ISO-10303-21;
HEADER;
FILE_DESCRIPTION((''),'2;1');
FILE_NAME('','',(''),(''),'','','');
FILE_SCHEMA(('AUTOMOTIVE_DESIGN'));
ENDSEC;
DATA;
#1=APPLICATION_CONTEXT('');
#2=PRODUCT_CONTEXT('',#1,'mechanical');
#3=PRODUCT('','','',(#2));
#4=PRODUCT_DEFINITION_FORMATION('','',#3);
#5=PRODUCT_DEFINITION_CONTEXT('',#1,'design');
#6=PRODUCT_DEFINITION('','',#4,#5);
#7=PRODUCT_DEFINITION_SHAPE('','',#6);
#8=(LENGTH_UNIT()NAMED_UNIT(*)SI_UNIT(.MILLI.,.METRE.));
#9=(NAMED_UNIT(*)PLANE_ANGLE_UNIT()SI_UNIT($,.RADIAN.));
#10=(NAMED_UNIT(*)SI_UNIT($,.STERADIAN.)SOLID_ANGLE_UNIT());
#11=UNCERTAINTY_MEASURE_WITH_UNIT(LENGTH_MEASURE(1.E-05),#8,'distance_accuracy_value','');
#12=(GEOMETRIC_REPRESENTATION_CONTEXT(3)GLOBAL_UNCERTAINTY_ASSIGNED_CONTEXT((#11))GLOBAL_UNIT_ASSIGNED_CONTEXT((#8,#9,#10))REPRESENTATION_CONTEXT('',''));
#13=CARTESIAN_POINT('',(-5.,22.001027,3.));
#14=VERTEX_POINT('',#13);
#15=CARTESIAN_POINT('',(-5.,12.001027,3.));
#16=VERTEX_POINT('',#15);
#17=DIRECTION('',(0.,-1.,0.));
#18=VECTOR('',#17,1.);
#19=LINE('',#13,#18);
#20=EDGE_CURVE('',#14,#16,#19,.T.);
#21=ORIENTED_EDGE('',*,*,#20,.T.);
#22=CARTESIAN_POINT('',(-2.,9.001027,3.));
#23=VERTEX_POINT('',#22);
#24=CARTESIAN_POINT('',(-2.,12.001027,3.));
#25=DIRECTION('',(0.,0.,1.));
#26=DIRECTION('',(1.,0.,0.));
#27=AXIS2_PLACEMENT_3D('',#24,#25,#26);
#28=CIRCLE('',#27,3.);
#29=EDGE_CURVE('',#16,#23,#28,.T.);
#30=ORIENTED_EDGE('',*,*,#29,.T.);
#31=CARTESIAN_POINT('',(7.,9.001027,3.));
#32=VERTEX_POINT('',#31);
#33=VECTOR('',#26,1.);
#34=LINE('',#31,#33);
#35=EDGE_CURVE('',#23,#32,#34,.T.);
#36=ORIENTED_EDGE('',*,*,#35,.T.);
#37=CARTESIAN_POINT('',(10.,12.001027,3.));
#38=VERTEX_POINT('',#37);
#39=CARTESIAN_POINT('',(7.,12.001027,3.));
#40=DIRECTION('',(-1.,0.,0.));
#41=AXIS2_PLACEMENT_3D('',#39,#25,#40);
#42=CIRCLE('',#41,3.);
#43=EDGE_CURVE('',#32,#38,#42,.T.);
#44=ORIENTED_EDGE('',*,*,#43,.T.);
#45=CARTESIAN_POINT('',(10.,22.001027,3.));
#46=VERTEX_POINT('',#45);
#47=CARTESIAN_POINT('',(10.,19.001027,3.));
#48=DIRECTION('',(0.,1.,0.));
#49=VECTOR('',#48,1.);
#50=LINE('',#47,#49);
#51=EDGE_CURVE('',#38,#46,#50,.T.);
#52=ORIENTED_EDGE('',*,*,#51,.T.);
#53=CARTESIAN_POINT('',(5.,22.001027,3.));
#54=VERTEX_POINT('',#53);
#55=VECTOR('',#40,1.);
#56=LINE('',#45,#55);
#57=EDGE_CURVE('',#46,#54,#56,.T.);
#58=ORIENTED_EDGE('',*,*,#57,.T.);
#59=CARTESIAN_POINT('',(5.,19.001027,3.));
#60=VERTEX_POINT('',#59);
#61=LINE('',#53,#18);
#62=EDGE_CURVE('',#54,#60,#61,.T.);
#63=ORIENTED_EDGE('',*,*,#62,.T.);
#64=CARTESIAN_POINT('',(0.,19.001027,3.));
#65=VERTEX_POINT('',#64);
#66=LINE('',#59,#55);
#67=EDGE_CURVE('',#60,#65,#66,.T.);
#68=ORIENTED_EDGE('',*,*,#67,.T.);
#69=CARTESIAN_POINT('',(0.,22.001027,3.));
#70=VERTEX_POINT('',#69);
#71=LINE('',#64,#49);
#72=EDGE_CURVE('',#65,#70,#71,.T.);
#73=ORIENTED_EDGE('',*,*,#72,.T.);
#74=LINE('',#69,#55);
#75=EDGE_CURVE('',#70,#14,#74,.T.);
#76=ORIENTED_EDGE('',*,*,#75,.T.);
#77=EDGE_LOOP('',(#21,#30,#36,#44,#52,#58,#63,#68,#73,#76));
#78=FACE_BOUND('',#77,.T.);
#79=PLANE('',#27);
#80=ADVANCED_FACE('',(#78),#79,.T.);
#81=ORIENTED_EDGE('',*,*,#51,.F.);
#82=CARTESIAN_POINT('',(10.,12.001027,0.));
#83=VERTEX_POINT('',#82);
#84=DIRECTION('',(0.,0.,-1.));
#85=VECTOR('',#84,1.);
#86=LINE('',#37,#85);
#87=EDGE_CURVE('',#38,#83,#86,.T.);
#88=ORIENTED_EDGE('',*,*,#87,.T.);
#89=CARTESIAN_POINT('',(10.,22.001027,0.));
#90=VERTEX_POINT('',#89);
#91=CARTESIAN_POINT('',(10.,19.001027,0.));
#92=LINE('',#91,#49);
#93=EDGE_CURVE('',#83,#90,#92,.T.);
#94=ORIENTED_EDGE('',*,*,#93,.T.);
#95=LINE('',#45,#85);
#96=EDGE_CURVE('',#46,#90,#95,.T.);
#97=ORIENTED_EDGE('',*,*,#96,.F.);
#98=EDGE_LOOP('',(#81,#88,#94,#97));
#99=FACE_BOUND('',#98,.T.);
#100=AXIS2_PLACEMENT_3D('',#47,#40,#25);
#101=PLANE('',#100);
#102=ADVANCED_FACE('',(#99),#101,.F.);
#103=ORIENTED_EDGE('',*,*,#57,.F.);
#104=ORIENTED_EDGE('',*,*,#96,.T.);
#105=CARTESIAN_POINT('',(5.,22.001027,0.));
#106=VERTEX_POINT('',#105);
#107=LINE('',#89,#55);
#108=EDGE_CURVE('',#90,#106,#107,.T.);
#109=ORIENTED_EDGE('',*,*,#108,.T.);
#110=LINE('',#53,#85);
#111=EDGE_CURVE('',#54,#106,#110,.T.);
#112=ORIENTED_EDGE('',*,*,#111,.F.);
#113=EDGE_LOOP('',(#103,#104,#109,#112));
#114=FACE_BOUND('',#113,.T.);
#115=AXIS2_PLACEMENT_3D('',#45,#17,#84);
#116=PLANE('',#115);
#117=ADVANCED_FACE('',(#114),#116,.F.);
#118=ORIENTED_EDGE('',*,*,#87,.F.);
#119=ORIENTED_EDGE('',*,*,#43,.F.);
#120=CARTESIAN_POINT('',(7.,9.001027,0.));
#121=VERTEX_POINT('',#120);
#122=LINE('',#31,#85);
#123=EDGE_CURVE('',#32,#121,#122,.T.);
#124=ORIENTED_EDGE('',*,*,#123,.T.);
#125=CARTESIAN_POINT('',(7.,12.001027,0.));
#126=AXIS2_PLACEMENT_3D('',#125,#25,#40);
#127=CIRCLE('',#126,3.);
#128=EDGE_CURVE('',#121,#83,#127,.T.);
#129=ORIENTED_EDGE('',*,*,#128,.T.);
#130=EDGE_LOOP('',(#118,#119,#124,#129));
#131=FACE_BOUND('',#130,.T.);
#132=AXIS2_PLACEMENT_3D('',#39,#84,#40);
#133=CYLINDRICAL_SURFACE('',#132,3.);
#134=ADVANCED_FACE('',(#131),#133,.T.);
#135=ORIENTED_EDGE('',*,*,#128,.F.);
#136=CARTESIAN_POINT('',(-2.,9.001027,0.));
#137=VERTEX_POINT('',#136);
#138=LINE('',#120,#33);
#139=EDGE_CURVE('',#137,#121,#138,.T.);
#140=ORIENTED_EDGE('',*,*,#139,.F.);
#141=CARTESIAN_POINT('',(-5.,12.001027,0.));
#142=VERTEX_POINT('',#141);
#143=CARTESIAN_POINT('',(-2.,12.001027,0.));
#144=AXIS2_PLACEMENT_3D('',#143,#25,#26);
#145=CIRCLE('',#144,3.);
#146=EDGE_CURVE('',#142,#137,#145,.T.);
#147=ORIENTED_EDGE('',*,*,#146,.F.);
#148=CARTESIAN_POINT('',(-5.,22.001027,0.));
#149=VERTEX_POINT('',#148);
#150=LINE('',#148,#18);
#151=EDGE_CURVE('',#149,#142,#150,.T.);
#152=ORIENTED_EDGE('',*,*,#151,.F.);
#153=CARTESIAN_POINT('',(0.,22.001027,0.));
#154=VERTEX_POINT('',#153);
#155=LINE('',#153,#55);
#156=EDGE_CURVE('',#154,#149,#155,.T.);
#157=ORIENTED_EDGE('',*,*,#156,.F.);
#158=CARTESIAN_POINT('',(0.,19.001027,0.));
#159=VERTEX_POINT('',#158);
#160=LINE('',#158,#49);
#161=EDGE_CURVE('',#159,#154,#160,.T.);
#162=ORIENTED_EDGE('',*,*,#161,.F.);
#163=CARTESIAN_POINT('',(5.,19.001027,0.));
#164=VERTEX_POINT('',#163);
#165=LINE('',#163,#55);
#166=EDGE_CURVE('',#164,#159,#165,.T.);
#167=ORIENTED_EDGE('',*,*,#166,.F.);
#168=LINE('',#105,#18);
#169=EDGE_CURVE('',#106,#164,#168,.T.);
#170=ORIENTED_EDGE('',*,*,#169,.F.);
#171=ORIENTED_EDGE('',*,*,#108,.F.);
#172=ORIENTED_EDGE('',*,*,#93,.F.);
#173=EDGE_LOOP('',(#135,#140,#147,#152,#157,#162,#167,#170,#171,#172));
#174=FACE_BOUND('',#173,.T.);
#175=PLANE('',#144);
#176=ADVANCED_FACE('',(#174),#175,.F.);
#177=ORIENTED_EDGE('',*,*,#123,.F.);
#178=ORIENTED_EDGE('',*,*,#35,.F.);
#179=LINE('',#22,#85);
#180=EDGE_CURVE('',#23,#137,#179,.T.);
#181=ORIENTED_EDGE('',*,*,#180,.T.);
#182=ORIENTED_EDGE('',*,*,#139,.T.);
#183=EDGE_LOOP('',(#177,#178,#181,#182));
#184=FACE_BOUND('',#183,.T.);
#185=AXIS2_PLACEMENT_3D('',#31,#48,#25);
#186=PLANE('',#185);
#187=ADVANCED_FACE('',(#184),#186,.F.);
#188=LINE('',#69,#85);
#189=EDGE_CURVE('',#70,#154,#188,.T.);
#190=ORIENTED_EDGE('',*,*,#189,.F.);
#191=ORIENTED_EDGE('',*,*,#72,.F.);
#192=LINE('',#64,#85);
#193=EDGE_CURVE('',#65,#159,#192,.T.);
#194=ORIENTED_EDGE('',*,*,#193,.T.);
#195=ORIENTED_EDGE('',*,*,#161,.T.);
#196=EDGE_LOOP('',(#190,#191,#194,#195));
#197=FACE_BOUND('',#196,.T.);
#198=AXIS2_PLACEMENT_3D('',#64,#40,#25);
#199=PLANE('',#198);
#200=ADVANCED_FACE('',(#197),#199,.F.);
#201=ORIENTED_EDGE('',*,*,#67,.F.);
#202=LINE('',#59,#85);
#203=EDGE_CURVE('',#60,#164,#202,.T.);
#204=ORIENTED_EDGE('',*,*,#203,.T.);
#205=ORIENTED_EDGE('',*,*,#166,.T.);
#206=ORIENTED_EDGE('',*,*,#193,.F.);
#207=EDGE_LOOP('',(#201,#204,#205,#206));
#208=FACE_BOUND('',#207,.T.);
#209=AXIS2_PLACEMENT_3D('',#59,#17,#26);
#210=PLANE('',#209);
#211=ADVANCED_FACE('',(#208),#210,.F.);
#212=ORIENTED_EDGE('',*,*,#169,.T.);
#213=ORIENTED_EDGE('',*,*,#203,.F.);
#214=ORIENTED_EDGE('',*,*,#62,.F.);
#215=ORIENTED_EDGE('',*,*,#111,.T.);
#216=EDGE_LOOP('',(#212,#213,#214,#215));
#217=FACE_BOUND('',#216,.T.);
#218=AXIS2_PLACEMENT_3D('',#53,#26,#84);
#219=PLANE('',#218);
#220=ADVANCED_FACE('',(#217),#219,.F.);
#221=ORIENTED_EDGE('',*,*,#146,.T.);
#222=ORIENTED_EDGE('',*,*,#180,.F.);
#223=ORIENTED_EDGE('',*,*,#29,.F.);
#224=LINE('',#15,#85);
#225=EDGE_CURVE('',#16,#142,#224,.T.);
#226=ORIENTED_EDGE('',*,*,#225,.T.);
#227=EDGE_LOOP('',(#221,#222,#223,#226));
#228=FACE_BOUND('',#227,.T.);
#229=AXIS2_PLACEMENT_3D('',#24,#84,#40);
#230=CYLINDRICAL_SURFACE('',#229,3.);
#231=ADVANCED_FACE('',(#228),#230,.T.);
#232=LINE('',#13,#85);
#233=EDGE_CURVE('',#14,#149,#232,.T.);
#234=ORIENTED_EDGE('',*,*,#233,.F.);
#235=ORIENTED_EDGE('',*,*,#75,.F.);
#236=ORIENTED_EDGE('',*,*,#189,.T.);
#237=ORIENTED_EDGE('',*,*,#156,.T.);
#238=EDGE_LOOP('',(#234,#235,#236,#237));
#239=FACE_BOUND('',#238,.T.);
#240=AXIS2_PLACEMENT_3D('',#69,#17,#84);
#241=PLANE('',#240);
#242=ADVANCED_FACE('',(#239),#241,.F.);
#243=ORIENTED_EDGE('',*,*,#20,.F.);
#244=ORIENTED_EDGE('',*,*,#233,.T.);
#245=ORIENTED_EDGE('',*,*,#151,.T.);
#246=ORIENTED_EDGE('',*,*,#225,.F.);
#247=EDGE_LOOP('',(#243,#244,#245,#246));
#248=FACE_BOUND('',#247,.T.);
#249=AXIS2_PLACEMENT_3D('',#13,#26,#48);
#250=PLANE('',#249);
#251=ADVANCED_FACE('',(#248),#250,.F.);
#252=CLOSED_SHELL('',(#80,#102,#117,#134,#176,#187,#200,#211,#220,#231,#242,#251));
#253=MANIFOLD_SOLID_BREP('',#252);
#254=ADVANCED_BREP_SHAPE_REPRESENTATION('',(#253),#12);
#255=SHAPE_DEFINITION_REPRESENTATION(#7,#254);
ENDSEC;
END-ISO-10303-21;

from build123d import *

# Parameters (mm, degrees)
SALIENTE_EXTRUIR1_DEPTH = 3


with BuildPart() as part:
    # Croquis1 → Saliente-Extruir1 (new body)
    with BuildSketch(Plane.XY):
        with BuildLine():
            Line((0, 22.001027223), (-5, 22.001027223))
            Line((-5, 22.001027223), (-5, 12.001027223))
            ThreePointArc((-5, 12.001027223), (-4.121320344, 9.87970688), (-2, 9.001027223))
            Line((-2, 9.001027223), (7, 9.001027223))
            ThreePointArc((7, 9.001027223), (9.121320344, 9.87970688), (10, 12.001027223))
            Line((10, 12.001027223), (10, 19.001027223))
            Line((10, 19.001027223), (10, 22.001027223))
            Line((10, 22.001027223), (5, 22.001027223))
            Line((5, 22.001027223), (5, 19.001027223))
            Line((5, 19.001027223), (0, 19.001027223))
            Line((0, 19.001027223), (0, 22.001027223))
        make_face()
    extrude(amount=SALIENTE_EXTRUIR1_DEPTH)


solid = part.part
